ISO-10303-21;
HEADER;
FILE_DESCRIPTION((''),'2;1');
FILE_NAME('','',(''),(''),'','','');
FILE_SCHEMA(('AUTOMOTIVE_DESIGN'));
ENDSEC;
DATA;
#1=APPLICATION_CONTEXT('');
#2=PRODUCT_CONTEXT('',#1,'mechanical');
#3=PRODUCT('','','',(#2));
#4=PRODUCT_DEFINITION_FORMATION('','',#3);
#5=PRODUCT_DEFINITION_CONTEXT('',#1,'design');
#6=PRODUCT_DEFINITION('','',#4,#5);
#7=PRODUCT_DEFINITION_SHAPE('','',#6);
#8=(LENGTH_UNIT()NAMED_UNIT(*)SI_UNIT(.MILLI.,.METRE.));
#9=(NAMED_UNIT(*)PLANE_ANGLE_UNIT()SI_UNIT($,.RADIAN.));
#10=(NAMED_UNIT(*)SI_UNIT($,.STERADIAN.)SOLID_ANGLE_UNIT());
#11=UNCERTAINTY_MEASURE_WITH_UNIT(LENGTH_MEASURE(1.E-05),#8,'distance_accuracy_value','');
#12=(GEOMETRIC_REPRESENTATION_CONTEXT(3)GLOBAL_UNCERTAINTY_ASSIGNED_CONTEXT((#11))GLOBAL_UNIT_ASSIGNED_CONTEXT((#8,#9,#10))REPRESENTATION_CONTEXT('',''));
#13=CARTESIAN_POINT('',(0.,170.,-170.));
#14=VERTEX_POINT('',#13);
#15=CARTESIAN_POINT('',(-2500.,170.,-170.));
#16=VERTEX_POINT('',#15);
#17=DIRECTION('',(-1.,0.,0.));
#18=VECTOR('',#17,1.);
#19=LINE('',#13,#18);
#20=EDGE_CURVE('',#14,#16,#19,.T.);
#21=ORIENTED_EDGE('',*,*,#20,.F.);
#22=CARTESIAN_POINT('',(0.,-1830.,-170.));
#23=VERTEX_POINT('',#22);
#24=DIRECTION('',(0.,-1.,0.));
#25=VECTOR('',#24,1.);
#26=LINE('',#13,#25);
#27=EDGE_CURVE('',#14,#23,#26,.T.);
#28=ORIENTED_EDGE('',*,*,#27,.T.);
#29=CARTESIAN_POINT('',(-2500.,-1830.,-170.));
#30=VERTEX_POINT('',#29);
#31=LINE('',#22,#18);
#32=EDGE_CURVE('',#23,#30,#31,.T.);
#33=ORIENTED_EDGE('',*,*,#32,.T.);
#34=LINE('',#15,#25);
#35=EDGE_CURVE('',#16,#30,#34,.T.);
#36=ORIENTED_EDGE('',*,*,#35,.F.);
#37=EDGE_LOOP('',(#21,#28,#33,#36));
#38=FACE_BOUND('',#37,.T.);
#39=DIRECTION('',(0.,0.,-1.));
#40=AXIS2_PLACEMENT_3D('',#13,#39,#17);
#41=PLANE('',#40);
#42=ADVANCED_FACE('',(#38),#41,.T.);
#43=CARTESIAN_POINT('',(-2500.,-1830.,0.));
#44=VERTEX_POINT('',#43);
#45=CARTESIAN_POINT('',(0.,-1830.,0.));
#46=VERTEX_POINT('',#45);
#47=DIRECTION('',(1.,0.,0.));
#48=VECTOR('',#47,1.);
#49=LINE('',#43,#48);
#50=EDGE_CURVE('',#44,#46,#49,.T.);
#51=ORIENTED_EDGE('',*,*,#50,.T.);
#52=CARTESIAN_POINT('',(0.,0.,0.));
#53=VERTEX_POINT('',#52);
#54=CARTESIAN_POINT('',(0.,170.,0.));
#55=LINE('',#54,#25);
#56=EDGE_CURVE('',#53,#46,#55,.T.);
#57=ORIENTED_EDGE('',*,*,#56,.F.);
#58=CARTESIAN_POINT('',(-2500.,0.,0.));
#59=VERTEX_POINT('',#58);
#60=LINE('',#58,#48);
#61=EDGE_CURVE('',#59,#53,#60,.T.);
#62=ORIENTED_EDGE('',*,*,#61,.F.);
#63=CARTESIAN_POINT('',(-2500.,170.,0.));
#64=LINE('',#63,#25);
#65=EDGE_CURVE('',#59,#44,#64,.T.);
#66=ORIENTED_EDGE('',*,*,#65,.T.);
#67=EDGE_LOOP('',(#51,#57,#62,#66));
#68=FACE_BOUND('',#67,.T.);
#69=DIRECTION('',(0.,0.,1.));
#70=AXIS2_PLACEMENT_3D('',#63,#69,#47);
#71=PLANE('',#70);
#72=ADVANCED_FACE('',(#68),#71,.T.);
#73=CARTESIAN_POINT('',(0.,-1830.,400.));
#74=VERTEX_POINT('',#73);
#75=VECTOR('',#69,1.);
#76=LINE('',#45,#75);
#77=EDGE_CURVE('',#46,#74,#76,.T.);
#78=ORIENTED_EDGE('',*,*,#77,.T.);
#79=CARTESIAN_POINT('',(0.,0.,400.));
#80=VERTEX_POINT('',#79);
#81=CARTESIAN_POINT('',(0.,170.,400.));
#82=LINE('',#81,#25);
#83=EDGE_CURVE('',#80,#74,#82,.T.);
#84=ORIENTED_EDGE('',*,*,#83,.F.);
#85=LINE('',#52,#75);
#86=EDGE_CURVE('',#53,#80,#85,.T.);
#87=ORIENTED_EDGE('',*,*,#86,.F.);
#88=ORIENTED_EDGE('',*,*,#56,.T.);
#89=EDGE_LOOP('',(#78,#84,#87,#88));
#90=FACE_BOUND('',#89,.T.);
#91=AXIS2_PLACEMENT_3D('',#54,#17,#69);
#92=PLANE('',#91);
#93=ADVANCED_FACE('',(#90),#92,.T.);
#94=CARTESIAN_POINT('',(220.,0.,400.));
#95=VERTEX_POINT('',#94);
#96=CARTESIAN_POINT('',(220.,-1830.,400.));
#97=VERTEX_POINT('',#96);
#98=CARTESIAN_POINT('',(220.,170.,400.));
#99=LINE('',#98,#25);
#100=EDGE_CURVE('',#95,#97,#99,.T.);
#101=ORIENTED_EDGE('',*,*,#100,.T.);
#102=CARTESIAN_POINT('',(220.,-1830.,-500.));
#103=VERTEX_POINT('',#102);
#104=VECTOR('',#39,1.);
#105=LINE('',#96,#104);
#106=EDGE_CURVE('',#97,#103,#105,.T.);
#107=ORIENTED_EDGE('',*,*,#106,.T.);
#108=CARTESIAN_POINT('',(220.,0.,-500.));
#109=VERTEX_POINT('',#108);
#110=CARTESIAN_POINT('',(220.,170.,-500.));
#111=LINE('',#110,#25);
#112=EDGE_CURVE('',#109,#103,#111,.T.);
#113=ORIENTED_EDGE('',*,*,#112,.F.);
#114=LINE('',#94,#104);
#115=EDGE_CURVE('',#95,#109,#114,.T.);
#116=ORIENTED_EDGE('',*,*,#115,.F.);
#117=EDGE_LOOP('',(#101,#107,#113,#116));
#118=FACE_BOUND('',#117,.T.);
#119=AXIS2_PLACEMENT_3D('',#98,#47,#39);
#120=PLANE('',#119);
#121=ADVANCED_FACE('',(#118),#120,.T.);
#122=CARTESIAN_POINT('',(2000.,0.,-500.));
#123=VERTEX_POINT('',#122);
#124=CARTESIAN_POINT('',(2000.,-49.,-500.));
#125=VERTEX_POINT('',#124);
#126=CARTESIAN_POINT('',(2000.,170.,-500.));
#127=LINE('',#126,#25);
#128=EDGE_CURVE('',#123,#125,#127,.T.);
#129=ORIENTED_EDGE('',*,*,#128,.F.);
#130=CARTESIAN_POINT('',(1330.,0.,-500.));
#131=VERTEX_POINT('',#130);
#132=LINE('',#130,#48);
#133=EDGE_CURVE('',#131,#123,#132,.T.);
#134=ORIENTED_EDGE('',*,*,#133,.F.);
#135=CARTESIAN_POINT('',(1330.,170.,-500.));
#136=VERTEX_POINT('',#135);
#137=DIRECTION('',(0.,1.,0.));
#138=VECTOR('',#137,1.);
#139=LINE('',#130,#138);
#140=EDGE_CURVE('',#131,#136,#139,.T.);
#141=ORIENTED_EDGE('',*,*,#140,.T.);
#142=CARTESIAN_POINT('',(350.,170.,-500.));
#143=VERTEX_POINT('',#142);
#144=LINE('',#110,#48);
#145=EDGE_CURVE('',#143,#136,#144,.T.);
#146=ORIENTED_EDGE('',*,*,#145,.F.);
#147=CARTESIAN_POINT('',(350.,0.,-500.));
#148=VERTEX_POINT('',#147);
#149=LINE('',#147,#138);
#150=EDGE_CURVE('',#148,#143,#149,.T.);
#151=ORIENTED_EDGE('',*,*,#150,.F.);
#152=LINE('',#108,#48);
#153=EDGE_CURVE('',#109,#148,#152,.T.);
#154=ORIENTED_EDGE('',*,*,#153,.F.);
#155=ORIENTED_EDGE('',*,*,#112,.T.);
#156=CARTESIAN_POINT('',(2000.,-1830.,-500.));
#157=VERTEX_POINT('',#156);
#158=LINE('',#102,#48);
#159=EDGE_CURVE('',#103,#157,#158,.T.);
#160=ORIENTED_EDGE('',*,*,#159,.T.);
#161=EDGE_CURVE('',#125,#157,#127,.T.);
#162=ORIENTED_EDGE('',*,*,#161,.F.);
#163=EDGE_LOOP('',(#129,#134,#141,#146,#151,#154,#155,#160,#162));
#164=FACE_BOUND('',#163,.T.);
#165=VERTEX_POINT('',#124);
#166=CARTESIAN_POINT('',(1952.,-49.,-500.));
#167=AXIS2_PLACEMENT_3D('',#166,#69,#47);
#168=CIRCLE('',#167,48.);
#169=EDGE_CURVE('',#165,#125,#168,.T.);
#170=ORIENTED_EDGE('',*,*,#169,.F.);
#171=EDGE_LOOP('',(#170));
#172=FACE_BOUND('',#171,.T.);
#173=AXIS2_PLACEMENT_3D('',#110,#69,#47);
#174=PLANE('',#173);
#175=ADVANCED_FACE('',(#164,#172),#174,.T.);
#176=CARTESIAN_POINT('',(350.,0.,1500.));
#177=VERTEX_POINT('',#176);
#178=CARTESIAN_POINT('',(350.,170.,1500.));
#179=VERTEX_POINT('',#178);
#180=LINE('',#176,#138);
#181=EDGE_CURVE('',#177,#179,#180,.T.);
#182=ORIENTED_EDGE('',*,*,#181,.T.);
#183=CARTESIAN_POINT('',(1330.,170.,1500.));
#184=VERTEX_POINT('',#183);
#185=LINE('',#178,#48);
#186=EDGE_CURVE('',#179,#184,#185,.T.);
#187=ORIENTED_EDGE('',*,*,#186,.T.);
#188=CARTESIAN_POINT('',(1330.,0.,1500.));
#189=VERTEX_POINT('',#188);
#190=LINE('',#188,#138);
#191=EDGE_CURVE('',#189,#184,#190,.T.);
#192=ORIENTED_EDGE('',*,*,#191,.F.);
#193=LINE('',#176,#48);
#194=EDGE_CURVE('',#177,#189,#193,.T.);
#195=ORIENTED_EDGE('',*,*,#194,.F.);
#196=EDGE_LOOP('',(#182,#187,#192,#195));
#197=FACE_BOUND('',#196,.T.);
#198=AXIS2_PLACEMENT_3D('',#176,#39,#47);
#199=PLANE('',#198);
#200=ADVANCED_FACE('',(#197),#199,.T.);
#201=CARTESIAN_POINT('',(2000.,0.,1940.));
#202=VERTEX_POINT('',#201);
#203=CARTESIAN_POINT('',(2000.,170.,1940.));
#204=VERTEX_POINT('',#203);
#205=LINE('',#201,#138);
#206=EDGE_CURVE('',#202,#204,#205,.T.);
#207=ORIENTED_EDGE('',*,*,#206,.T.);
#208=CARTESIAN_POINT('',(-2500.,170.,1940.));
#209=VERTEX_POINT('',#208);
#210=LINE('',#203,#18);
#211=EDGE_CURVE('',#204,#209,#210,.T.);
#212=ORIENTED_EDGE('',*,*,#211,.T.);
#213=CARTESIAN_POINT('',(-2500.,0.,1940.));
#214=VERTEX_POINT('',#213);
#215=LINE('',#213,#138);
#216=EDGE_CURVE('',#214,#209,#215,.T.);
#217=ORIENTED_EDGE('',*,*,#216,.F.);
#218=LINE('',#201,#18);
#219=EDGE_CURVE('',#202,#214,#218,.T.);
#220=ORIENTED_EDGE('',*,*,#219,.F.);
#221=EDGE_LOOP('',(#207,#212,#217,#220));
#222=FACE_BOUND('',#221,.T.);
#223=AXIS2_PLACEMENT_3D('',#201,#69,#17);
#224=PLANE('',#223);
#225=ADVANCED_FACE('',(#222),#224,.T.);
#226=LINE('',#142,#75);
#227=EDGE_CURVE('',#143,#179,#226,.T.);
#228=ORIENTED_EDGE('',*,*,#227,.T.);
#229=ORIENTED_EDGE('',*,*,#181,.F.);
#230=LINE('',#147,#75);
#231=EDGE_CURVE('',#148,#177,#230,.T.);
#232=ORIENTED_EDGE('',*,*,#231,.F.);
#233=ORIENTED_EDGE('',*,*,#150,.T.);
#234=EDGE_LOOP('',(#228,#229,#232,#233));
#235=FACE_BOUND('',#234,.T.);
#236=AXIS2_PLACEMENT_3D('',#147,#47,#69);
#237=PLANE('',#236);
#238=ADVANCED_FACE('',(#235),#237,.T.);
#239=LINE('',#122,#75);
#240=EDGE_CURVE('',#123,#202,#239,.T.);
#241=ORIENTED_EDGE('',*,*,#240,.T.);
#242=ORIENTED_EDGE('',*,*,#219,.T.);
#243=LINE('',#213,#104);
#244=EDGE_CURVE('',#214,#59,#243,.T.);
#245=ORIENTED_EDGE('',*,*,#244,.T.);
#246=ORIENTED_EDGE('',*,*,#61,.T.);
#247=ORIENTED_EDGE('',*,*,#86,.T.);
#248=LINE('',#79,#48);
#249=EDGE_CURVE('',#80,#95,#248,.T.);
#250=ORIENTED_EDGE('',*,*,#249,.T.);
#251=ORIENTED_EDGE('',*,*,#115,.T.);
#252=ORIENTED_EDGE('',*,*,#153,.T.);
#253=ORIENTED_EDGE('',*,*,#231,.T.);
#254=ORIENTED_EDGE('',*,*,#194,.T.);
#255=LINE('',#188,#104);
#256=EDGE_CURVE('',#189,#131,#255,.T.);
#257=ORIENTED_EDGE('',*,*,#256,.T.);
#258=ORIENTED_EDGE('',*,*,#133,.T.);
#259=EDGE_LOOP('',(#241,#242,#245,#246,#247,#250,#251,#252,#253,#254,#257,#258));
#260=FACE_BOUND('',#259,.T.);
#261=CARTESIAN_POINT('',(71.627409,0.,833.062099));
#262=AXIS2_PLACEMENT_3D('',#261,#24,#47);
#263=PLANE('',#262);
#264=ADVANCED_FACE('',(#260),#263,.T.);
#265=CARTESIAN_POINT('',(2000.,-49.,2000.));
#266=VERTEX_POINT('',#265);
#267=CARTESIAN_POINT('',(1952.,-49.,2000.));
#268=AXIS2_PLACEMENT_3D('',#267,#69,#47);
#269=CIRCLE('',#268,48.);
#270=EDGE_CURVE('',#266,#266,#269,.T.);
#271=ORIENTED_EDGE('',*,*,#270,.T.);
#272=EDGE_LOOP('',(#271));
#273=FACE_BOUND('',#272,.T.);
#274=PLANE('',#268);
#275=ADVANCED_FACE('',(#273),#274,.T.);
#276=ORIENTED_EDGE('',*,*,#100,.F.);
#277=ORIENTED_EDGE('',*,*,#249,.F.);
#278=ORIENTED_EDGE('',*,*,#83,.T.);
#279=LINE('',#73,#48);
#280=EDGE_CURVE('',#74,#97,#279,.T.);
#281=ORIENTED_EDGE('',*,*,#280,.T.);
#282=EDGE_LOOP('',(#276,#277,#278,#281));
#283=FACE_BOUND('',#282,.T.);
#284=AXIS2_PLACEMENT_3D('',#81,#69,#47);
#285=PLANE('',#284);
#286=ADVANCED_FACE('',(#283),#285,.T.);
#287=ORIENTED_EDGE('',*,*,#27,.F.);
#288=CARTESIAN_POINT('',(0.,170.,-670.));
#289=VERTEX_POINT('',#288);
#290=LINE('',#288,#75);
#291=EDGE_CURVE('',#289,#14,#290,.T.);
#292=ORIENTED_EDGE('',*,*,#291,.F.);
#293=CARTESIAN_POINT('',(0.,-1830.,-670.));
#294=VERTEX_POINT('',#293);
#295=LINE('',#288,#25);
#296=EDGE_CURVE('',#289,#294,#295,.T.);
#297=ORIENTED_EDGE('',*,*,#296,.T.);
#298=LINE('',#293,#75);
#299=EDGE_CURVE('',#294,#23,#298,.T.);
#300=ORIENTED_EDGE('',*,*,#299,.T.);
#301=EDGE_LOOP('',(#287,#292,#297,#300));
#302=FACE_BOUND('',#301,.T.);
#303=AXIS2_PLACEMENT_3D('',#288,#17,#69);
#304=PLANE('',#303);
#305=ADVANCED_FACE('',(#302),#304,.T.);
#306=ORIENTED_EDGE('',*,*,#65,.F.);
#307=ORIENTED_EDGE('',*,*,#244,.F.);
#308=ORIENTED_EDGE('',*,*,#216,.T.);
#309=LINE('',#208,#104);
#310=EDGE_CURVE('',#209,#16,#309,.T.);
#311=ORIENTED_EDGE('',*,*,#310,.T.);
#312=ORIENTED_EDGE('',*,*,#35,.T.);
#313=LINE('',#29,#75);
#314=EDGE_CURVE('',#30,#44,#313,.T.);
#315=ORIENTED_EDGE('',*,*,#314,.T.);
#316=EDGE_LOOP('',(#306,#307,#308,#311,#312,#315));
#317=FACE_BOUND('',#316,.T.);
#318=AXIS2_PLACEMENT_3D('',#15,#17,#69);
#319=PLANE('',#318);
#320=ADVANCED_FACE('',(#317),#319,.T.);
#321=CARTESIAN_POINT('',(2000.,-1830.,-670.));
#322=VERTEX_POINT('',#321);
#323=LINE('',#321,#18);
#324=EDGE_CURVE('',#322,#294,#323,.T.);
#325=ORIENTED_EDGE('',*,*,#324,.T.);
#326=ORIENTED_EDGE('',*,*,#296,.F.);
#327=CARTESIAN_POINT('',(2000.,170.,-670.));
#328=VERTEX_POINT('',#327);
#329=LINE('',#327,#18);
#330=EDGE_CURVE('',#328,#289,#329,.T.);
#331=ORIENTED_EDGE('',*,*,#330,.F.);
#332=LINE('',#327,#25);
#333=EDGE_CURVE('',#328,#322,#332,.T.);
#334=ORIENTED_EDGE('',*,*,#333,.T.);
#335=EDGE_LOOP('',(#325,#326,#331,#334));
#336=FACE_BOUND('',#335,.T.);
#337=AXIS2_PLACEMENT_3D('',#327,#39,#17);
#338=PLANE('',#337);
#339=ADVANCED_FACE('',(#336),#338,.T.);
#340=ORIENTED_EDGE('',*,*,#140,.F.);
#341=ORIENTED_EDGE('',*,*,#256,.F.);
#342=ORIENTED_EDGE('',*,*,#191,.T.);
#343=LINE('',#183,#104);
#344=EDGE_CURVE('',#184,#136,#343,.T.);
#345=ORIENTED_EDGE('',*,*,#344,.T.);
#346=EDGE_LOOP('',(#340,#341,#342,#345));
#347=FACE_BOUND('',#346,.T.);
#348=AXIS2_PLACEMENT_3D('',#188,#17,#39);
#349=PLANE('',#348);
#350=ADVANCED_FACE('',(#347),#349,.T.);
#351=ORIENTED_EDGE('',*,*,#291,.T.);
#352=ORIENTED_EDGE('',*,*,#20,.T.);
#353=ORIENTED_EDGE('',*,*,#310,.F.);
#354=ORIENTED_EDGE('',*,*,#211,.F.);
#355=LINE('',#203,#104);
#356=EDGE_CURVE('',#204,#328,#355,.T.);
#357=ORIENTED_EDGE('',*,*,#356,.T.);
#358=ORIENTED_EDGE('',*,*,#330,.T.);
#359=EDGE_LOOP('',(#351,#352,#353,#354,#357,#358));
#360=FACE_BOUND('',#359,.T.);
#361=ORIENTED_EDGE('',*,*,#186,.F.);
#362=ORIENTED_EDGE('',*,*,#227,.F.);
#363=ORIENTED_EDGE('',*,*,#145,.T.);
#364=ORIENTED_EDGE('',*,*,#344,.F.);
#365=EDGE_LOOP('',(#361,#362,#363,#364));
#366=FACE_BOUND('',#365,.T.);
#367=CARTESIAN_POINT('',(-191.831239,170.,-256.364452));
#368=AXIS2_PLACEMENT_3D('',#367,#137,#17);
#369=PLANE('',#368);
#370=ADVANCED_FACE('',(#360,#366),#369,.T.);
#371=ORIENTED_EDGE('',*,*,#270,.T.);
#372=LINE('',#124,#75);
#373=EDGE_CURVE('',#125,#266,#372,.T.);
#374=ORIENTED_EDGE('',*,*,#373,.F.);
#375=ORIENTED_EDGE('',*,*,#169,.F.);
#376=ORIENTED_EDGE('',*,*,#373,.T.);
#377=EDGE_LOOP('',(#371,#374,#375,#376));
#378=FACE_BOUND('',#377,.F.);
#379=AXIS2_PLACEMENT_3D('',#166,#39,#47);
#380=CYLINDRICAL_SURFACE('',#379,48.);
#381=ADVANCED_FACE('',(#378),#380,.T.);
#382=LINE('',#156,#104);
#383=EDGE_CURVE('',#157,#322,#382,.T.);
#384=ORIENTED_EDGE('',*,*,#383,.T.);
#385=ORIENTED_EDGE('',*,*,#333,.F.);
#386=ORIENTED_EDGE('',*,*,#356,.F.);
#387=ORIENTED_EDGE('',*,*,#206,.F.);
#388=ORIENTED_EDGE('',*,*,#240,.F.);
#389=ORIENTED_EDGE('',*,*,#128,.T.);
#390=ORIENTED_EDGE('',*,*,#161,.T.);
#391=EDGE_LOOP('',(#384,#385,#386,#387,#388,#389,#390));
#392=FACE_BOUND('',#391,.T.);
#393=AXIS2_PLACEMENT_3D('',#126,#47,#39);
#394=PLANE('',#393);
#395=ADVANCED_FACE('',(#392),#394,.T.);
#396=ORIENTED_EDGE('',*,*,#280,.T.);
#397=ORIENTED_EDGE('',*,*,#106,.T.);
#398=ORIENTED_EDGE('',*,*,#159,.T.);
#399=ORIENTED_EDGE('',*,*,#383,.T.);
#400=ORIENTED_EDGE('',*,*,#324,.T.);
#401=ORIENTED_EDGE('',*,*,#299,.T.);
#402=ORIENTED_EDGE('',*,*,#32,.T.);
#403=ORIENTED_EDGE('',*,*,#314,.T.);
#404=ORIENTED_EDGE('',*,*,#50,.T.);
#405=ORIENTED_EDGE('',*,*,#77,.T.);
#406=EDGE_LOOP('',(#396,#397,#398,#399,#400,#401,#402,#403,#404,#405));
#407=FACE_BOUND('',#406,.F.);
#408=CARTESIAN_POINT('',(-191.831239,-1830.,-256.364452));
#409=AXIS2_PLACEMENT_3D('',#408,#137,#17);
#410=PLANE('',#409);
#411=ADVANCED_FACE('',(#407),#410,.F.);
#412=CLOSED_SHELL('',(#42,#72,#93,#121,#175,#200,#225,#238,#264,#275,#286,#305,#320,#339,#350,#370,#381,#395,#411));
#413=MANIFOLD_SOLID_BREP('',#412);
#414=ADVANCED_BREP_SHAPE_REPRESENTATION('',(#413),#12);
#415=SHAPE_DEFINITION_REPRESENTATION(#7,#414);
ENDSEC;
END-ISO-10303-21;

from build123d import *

# Parameters (mm, degrees)
F1_DEPTH = 170
F3_DEPTH = 2000
F4_R     = 48
F5_DEPTH = 2500


with BuildPart() as f1:
    # F0 (on Front) → F1 (new body)
    with BuildSketch(Plane.XZ):
        Polygon((-2500, 0), (0, 0), (0, 400), (220, 400), (220, -500), (350, -500), (350, 1500), (1330, 1500), (1330, -500), (2000, -500), (2000, 1940), (-2500, 1940), align=None)
    extrude(amount=-F1_DEPTH)

    # F2 (on face) → F3 (join)
    with BuildSketch(Plane(origin=(0, 170, 0), x_dir=(-1, 0, 0), z_dir=(0, 1, 0))):
        Polygon((2500, -170), (2500, 0), (0, 0), (0, 400), (-220, 400), (-220, -500), (-2000, -500), (-2000, -670), (0, -670), (0, -170), align=None)
    extrude(amount=-F3_DEPTH)

    # F4 (on face) → F5 (join)
    with BuildSketch(Plane.XY.offset(-500)):
        with Locations((1952, -49)):
            Circle(F4_R)
    extrude(amount=F5_DEPTH)


solid = f1.part
